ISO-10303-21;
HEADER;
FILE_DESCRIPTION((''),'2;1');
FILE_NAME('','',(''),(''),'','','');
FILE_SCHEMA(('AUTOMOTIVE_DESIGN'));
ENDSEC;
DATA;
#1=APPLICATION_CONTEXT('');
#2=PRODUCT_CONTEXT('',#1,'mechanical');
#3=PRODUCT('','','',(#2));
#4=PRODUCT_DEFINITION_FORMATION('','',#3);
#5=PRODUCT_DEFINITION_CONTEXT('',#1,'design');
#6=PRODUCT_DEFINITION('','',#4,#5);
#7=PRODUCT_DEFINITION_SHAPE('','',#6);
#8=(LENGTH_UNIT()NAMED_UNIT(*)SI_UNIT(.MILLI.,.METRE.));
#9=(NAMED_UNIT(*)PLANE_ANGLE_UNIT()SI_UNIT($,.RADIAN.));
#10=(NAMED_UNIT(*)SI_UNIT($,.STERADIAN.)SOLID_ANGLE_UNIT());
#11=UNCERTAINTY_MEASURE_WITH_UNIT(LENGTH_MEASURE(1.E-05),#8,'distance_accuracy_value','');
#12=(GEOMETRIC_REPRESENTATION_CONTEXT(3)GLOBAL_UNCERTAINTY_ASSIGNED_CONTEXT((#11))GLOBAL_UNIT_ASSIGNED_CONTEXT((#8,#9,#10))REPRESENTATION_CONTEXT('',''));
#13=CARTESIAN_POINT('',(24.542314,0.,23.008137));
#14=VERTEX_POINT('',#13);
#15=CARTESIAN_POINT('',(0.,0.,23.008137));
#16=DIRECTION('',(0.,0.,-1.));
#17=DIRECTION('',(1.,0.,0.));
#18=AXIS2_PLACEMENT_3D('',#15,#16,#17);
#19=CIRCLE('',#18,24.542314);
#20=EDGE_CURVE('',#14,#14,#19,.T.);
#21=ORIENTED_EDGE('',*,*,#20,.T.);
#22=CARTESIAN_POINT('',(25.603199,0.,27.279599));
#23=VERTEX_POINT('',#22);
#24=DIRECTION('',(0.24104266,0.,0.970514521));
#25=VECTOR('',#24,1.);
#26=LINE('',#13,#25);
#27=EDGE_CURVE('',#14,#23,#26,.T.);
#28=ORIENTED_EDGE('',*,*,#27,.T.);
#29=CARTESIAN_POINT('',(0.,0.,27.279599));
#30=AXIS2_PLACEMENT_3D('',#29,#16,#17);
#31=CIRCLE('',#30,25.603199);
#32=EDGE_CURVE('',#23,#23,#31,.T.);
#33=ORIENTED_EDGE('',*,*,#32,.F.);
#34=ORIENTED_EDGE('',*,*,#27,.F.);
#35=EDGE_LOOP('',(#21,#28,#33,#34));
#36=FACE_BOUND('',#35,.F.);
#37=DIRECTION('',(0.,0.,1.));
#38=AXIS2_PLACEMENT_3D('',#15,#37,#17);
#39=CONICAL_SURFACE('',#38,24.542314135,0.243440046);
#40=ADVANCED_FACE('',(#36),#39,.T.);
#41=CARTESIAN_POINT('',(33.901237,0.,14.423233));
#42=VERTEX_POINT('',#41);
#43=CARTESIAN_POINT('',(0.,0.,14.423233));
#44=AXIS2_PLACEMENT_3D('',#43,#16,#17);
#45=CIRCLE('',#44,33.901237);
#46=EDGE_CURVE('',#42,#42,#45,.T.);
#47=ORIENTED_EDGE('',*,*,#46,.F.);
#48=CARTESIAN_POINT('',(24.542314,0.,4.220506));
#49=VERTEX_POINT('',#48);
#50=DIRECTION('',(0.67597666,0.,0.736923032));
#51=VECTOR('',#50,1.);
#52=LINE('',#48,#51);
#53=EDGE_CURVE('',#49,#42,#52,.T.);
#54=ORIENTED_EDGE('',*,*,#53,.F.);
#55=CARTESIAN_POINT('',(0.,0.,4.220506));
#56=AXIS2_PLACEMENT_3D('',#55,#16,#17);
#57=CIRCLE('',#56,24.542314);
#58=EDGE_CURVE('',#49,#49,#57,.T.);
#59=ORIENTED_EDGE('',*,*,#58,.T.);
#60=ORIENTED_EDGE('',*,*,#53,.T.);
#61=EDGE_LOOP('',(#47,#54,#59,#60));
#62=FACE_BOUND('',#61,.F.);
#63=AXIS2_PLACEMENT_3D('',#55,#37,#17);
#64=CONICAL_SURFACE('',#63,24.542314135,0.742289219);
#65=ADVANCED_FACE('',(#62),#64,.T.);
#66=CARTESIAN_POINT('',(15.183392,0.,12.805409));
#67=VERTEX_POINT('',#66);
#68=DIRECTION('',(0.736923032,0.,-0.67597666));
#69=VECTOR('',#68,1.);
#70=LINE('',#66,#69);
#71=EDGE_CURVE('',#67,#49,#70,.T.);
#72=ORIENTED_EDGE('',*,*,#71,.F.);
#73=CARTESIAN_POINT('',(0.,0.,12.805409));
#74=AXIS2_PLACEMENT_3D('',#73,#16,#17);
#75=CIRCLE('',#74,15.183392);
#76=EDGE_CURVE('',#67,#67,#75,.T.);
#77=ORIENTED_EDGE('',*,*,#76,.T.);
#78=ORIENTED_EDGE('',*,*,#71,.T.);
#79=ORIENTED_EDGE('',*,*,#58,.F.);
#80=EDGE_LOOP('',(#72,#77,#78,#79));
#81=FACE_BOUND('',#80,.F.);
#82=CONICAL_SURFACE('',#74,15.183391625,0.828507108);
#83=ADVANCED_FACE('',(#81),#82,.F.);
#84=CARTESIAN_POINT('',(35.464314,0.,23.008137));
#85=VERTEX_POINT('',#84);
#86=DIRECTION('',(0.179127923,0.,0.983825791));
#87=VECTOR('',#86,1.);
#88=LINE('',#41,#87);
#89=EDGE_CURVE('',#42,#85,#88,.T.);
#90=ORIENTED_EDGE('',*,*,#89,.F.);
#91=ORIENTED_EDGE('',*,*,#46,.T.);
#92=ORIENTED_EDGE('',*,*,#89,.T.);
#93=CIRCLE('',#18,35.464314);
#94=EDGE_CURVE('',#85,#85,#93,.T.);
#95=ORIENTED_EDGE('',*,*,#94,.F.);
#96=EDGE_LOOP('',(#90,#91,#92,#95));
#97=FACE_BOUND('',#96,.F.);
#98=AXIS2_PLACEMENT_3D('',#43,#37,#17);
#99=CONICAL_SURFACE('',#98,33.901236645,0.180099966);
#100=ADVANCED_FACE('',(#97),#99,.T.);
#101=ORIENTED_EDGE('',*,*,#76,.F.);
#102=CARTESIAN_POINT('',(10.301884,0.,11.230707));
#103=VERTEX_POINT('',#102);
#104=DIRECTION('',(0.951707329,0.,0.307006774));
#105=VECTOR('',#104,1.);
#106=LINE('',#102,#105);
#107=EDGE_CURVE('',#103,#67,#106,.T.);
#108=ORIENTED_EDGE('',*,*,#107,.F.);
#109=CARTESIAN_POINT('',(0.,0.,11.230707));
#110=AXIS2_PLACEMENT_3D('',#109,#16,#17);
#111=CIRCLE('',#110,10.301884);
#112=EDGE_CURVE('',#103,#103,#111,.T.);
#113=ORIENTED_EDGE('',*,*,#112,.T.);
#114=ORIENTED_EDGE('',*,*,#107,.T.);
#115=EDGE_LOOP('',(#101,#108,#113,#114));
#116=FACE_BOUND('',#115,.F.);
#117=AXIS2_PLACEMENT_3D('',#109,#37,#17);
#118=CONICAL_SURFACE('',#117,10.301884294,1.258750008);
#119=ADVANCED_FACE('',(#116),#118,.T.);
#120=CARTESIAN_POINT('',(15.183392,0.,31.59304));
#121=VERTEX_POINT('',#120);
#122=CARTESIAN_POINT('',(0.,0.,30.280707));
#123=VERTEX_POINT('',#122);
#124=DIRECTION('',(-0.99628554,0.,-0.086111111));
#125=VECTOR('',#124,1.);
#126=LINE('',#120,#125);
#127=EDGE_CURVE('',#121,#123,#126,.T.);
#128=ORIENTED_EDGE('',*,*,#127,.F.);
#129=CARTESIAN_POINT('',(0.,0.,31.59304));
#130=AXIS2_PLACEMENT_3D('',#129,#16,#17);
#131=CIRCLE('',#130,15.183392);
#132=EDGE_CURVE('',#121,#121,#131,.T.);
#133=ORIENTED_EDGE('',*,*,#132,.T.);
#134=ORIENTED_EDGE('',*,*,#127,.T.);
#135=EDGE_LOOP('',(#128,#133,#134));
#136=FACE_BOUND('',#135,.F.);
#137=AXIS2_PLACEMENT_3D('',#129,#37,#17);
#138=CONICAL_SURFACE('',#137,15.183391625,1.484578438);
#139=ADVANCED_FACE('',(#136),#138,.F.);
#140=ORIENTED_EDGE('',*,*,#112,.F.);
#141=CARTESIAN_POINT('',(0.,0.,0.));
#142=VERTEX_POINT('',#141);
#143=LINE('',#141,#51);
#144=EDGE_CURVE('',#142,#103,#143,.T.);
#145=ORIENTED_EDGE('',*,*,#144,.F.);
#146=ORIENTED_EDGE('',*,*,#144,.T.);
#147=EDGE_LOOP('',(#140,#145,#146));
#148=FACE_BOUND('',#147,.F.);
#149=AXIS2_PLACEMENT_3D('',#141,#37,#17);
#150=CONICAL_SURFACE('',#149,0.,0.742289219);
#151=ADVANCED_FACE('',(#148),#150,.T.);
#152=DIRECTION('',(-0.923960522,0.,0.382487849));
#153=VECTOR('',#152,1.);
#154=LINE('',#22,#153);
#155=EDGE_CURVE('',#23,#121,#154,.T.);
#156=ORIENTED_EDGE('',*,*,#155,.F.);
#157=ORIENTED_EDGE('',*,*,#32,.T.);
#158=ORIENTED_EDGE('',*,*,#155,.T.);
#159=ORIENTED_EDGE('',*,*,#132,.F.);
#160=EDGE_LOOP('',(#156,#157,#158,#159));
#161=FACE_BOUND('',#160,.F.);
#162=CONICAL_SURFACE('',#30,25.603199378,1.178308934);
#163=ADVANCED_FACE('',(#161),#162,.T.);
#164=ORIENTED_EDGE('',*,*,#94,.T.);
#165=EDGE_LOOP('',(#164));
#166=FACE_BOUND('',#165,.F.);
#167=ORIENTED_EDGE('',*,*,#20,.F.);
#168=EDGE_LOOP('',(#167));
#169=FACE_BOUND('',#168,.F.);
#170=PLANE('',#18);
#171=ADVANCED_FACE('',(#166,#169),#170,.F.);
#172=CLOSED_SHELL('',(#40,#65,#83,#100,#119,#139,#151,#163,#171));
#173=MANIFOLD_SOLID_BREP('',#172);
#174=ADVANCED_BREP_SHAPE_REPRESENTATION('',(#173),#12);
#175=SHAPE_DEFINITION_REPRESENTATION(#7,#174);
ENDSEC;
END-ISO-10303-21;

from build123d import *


with BuildPart() as f1:
    # F0 (on Front) → F1 (revolve)
    with BuildSketch(Plane.XZ):
        Polygon((0, 11.2307070125), (0, 0), (10.3018842937, 11.2307070125), align=None)
        Polygon((5.9712836383, 19.2387509909), (10.3018842937, 11.2307070125), (15.1833916245, 12.8054094151), (24.5423141349, 23.0081367678), (15.1833916245, 31.5930403458), align=None)
        Polygon((0, 11.2307070125), (10.3018842937, 11.2307070125), (5.9712836383, 19.2387509909), align=None)
        Polygon((0, 30.2807070125), (0, 11.2307070125), (5.9712836383, 19.2387509909), align=None)
        Polygon((33.9012366453, 14.4232331897), (15.1833916245, 12.8054094151), (24.5423141349, 4.2205058371), align=None)
        Polygon((24.5423141349, 23.0081367678), (15.1833916245, 12.8054094151), (33.9012366453, 14.4232331897), align=None)
        Polygon((0, 30.2807070125), (5.9712836383, 19.2387509909), (15.1833916245, 31.5930403458), align=None)
        Polygon((35.4643141349, 23.0081367678), (24.5423141349, 23.0081367678), (33.9012366453, 14.4232331897), align=None)
        Polygon((15.1833916245, 31.5930403458), (24.5423141349, 23.0081367678), (25.6031993777, 27.2795986384), align=None)
    revolve(axis=Axis((0, 0, 20.7557070125), (0, 0, -1)))


solid = f1.part
